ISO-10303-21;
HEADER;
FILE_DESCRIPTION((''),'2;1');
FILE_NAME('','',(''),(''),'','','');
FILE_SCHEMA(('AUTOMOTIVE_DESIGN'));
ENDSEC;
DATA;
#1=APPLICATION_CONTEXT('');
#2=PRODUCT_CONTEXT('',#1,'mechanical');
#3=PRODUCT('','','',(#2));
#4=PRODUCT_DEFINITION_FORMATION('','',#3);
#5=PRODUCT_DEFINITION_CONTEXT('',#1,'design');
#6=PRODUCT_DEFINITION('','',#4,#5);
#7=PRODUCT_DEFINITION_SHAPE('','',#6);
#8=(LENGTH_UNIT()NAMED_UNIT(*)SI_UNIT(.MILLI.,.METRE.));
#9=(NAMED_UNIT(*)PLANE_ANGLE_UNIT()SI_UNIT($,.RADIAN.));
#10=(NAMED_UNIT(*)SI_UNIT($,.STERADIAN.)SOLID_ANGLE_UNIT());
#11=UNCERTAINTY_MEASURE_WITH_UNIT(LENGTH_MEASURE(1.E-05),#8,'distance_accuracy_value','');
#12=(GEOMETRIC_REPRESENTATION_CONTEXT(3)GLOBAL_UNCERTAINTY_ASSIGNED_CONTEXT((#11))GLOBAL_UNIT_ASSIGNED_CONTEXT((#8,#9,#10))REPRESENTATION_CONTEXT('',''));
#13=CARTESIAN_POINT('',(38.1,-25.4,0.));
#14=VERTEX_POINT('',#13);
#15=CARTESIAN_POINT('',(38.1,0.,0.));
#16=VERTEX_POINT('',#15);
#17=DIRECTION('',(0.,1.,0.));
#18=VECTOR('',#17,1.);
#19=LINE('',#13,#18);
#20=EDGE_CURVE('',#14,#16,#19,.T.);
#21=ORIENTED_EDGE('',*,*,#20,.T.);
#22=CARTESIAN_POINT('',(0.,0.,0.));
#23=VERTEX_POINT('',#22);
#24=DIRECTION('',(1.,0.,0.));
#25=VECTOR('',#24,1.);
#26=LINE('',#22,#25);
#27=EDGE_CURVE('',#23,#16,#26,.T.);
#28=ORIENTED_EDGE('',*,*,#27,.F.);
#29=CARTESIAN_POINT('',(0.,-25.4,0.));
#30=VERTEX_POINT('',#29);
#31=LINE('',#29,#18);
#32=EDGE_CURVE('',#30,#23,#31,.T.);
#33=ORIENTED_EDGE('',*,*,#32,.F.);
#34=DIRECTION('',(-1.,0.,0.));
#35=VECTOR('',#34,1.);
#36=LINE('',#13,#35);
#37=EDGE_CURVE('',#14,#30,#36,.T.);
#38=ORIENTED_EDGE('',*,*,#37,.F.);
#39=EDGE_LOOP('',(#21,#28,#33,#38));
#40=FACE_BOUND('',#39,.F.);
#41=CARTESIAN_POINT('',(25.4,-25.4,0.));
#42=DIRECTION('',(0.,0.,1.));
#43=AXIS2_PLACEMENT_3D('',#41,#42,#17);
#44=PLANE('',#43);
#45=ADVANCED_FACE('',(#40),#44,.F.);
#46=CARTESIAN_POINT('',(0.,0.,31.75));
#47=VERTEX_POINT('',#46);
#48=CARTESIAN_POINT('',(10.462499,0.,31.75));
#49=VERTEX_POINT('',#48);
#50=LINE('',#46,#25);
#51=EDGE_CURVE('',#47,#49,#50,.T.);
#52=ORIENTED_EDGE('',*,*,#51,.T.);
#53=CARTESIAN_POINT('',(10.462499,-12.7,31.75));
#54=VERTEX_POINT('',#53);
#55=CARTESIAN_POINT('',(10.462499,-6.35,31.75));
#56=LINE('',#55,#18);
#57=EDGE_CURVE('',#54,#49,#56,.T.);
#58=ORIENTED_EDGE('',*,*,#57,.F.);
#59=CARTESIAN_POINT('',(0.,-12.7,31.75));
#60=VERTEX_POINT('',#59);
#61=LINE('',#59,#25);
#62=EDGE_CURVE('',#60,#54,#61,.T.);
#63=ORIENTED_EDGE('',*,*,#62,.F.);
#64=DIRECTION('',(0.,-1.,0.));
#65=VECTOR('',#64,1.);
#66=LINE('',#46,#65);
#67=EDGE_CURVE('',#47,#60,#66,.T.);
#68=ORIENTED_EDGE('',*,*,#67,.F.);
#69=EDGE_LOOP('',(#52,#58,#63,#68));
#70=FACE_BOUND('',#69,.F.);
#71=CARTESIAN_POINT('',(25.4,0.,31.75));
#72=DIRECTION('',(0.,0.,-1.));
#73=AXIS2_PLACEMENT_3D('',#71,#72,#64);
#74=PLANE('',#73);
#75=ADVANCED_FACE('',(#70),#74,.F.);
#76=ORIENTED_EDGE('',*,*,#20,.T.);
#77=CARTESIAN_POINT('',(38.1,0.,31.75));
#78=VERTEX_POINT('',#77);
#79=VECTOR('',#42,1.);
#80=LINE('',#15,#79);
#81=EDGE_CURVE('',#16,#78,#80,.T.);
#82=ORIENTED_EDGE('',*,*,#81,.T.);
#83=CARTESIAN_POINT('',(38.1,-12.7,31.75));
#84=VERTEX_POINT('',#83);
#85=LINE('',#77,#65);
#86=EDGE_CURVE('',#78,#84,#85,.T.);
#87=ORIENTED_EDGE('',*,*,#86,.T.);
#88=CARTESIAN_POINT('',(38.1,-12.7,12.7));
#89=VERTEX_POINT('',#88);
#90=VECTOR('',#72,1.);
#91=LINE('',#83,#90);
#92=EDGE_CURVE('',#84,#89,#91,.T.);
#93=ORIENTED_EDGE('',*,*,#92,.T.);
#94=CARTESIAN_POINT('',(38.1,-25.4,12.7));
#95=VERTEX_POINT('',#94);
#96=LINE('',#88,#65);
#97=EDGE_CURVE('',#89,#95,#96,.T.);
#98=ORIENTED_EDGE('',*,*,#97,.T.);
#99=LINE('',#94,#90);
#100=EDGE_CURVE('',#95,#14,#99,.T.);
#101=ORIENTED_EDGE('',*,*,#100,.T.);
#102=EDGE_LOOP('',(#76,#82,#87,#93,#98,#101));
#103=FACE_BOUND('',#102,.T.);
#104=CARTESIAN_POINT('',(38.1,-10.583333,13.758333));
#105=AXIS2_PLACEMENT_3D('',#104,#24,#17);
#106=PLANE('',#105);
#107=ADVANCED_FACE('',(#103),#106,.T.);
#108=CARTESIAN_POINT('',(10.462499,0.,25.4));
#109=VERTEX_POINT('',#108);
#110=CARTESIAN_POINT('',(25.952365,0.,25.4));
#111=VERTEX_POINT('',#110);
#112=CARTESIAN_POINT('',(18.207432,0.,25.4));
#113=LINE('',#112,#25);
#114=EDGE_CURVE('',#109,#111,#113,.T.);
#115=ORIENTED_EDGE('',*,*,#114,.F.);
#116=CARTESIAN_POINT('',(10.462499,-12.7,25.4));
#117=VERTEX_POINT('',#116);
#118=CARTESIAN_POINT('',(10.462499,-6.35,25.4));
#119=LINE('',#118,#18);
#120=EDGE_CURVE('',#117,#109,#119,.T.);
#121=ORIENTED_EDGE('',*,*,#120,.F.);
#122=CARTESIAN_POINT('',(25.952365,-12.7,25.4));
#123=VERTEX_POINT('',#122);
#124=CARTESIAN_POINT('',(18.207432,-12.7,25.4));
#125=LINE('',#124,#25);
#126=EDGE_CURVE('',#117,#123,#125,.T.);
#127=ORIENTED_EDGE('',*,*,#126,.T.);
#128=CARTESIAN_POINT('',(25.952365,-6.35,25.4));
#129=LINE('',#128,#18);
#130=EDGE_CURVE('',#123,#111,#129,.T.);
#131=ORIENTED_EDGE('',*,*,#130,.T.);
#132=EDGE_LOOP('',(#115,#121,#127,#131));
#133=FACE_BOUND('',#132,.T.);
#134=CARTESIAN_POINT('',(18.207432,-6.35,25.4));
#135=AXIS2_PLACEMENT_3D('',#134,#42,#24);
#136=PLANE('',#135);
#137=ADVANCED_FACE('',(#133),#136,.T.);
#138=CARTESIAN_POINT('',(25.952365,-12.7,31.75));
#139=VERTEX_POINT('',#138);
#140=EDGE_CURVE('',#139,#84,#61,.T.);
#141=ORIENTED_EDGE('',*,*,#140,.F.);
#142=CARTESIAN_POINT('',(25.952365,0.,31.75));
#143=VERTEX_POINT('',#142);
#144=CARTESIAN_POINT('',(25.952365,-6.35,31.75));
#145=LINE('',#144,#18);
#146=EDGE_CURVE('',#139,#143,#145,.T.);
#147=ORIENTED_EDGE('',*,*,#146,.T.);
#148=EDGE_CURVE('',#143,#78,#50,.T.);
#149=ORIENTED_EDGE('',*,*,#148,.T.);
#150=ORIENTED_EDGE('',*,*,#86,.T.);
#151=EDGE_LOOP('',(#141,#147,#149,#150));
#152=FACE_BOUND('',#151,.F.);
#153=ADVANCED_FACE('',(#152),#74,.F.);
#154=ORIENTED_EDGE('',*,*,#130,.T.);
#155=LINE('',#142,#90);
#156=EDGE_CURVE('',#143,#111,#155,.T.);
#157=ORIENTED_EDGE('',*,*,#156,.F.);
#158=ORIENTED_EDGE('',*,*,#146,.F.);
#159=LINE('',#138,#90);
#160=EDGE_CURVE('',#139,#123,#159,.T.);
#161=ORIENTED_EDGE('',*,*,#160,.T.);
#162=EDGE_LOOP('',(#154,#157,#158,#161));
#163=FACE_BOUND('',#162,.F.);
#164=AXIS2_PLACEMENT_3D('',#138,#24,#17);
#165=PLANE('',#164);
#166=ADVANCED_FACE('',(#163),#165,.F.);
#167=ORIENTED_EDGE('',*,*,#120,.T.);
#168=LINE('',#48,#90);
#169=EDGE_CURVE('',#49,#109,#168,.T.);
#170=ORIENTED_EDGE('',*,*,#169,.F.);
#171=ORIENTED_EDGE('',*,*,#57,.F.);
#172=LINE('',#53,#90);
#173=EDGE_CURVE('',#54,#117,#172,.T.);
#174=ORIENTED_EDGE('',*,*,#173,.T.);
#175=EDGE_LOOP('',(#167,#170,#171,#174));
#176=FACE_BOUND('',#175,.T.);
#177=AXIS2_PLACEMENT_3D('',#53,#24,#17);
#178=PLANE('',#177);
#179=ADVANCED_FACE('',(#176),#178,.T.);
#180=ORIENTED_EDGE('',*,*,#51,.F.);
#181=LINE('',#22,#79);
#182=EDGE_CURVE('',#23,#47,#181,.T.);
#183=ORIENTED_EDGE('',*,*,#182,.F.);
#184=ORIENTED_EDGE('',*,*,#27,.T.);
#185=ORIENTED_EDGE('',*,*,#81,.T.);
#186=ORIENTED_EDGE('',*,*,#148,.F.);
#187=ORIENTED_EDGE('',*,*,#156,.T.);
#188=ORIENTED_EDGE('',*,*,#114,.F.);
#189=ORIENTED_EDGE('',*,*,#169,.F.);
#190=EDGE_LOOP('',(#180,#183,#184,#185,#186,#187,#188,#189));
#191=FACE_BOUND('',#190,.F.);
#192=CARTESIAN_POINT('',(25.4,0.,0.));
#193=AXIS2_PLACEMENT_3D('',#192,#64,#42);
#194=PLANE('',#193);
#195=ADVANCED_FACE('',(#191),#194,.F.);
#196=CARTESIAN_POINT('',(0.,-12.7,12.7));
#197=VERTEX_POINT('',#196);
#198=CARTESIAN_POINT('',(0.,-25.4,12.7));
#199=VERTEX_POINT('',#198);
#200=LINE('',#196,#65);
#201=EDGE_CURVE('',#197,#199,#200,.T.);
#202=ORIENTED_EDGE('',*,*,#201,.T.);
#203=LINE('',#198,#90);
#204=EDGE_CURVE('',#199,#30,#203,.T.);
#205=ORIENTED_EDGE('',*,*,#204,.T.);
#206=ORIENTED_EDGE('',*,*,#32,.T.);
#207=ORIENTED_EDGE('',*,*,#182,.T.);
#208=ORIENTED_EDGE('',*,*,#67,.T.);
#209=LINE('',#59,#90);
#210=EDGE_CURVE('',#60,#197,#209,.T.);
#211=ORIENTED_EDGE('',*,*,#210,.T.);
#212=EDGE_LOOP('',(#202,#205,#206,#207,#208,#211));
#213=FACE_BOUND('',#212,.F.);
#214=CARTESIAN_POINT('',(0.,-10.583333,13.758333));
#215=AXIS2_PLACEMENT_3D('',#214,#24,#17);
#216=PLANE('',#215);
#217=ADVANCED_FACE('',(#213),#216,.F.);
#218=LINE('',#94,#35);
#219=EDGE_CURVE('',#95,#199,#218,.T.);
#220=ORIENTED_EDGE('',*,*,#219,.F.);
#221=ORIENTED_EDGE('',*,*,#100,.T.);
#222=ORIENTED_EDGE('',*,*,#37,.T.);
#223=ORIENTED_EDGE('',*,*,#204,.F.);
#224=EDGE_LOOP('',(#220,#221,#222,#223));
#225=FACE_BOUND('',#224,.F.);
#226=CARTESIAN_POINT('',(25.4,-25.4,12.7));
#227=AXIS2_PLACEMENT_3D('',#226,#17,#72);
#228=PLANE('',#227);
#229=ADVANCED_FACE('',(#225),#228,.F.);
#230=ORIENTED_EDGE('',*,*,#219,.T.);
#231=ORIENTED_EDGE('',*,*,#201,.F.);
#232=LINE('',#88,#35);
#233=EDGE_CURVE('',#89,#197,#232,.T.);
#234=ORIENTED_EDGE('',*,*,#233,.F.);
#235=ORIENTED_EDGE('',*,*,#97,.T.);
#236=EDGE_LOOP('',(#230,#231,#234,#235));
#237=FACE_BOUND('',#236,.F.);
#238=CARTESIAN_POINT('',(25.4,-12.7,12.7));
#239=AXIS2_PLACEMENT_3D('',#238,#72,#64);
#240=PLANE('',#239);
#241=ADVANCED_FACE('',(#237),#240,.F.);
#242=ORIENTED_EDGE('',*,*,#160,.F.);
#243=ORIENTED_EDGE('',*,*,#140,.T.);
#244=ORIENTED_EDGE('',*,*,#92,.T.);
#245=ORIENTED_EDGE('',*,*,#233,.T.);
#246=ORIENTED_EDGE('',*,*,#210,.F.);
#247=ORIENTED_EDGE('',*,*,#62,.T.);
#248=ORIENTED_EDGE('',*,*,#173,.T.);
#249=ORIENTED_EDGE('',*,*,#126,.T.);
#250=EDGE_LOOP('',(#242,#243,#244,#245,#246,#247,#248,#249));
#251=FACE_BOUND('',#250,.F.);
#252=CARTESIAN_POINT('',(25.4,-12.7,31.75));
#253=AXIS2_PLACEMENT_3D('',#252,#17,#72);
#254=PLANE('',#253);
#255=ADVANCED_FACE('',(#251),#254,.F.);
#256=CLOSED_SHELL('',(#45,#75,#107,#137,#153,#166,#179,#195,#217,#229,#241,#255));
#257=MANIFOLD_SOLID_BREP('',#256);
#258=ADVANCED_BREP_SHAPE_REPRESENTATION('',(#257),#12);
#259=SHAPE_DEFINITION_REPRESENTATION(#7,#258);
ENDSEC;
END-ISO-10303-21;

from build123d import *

# Parameters (mm, degrees)
F1_DEPTH = 25.4
F2_DEPTH = 12.7
F3_W     = 15.489865
F3_H     = 12.7
F4_DEPTH = 6.35


with BuildPart() as f1:
    # F0 (on Right) → F1 (new body)
    with BuildSketch(Plane.YZ):
        Polygon((-25.4, 0), (0, 0), (0, 31.75), (-12.7, 31.75), (-12.7, 12.7), (-25.4, 12.7), align=None)
    extrude(amount=F1_DEPTH)

    # F1_face (on face) → F2 (join)
    with BuildSketch(Plane(origin=(25.4, -9.978571, 13.153571), x_dir=(0, 1, 0), z_dir=(1, 0, 0))):
        Polygon((-15.421429, -13.153571), (9.978571, -13.153571), (9.978571, 18.596429), (-2.721429, 18.596429), (-2.721429, -0.453571), (-15.421429, -0.453571), align=None)
    extrude(amount=F2_DEPTH)

    # F3 (on face) → F4 (cut)
    with BuildSketch(Plane.XY.offset(31.75)):
        with Locations((18.207432, -6.35)):
            Rectangle(F3_W, F3_H)
    extrude(amount=-F4_DEPTH, mode=Mode.SUBTRACT)


solid = f1.part
